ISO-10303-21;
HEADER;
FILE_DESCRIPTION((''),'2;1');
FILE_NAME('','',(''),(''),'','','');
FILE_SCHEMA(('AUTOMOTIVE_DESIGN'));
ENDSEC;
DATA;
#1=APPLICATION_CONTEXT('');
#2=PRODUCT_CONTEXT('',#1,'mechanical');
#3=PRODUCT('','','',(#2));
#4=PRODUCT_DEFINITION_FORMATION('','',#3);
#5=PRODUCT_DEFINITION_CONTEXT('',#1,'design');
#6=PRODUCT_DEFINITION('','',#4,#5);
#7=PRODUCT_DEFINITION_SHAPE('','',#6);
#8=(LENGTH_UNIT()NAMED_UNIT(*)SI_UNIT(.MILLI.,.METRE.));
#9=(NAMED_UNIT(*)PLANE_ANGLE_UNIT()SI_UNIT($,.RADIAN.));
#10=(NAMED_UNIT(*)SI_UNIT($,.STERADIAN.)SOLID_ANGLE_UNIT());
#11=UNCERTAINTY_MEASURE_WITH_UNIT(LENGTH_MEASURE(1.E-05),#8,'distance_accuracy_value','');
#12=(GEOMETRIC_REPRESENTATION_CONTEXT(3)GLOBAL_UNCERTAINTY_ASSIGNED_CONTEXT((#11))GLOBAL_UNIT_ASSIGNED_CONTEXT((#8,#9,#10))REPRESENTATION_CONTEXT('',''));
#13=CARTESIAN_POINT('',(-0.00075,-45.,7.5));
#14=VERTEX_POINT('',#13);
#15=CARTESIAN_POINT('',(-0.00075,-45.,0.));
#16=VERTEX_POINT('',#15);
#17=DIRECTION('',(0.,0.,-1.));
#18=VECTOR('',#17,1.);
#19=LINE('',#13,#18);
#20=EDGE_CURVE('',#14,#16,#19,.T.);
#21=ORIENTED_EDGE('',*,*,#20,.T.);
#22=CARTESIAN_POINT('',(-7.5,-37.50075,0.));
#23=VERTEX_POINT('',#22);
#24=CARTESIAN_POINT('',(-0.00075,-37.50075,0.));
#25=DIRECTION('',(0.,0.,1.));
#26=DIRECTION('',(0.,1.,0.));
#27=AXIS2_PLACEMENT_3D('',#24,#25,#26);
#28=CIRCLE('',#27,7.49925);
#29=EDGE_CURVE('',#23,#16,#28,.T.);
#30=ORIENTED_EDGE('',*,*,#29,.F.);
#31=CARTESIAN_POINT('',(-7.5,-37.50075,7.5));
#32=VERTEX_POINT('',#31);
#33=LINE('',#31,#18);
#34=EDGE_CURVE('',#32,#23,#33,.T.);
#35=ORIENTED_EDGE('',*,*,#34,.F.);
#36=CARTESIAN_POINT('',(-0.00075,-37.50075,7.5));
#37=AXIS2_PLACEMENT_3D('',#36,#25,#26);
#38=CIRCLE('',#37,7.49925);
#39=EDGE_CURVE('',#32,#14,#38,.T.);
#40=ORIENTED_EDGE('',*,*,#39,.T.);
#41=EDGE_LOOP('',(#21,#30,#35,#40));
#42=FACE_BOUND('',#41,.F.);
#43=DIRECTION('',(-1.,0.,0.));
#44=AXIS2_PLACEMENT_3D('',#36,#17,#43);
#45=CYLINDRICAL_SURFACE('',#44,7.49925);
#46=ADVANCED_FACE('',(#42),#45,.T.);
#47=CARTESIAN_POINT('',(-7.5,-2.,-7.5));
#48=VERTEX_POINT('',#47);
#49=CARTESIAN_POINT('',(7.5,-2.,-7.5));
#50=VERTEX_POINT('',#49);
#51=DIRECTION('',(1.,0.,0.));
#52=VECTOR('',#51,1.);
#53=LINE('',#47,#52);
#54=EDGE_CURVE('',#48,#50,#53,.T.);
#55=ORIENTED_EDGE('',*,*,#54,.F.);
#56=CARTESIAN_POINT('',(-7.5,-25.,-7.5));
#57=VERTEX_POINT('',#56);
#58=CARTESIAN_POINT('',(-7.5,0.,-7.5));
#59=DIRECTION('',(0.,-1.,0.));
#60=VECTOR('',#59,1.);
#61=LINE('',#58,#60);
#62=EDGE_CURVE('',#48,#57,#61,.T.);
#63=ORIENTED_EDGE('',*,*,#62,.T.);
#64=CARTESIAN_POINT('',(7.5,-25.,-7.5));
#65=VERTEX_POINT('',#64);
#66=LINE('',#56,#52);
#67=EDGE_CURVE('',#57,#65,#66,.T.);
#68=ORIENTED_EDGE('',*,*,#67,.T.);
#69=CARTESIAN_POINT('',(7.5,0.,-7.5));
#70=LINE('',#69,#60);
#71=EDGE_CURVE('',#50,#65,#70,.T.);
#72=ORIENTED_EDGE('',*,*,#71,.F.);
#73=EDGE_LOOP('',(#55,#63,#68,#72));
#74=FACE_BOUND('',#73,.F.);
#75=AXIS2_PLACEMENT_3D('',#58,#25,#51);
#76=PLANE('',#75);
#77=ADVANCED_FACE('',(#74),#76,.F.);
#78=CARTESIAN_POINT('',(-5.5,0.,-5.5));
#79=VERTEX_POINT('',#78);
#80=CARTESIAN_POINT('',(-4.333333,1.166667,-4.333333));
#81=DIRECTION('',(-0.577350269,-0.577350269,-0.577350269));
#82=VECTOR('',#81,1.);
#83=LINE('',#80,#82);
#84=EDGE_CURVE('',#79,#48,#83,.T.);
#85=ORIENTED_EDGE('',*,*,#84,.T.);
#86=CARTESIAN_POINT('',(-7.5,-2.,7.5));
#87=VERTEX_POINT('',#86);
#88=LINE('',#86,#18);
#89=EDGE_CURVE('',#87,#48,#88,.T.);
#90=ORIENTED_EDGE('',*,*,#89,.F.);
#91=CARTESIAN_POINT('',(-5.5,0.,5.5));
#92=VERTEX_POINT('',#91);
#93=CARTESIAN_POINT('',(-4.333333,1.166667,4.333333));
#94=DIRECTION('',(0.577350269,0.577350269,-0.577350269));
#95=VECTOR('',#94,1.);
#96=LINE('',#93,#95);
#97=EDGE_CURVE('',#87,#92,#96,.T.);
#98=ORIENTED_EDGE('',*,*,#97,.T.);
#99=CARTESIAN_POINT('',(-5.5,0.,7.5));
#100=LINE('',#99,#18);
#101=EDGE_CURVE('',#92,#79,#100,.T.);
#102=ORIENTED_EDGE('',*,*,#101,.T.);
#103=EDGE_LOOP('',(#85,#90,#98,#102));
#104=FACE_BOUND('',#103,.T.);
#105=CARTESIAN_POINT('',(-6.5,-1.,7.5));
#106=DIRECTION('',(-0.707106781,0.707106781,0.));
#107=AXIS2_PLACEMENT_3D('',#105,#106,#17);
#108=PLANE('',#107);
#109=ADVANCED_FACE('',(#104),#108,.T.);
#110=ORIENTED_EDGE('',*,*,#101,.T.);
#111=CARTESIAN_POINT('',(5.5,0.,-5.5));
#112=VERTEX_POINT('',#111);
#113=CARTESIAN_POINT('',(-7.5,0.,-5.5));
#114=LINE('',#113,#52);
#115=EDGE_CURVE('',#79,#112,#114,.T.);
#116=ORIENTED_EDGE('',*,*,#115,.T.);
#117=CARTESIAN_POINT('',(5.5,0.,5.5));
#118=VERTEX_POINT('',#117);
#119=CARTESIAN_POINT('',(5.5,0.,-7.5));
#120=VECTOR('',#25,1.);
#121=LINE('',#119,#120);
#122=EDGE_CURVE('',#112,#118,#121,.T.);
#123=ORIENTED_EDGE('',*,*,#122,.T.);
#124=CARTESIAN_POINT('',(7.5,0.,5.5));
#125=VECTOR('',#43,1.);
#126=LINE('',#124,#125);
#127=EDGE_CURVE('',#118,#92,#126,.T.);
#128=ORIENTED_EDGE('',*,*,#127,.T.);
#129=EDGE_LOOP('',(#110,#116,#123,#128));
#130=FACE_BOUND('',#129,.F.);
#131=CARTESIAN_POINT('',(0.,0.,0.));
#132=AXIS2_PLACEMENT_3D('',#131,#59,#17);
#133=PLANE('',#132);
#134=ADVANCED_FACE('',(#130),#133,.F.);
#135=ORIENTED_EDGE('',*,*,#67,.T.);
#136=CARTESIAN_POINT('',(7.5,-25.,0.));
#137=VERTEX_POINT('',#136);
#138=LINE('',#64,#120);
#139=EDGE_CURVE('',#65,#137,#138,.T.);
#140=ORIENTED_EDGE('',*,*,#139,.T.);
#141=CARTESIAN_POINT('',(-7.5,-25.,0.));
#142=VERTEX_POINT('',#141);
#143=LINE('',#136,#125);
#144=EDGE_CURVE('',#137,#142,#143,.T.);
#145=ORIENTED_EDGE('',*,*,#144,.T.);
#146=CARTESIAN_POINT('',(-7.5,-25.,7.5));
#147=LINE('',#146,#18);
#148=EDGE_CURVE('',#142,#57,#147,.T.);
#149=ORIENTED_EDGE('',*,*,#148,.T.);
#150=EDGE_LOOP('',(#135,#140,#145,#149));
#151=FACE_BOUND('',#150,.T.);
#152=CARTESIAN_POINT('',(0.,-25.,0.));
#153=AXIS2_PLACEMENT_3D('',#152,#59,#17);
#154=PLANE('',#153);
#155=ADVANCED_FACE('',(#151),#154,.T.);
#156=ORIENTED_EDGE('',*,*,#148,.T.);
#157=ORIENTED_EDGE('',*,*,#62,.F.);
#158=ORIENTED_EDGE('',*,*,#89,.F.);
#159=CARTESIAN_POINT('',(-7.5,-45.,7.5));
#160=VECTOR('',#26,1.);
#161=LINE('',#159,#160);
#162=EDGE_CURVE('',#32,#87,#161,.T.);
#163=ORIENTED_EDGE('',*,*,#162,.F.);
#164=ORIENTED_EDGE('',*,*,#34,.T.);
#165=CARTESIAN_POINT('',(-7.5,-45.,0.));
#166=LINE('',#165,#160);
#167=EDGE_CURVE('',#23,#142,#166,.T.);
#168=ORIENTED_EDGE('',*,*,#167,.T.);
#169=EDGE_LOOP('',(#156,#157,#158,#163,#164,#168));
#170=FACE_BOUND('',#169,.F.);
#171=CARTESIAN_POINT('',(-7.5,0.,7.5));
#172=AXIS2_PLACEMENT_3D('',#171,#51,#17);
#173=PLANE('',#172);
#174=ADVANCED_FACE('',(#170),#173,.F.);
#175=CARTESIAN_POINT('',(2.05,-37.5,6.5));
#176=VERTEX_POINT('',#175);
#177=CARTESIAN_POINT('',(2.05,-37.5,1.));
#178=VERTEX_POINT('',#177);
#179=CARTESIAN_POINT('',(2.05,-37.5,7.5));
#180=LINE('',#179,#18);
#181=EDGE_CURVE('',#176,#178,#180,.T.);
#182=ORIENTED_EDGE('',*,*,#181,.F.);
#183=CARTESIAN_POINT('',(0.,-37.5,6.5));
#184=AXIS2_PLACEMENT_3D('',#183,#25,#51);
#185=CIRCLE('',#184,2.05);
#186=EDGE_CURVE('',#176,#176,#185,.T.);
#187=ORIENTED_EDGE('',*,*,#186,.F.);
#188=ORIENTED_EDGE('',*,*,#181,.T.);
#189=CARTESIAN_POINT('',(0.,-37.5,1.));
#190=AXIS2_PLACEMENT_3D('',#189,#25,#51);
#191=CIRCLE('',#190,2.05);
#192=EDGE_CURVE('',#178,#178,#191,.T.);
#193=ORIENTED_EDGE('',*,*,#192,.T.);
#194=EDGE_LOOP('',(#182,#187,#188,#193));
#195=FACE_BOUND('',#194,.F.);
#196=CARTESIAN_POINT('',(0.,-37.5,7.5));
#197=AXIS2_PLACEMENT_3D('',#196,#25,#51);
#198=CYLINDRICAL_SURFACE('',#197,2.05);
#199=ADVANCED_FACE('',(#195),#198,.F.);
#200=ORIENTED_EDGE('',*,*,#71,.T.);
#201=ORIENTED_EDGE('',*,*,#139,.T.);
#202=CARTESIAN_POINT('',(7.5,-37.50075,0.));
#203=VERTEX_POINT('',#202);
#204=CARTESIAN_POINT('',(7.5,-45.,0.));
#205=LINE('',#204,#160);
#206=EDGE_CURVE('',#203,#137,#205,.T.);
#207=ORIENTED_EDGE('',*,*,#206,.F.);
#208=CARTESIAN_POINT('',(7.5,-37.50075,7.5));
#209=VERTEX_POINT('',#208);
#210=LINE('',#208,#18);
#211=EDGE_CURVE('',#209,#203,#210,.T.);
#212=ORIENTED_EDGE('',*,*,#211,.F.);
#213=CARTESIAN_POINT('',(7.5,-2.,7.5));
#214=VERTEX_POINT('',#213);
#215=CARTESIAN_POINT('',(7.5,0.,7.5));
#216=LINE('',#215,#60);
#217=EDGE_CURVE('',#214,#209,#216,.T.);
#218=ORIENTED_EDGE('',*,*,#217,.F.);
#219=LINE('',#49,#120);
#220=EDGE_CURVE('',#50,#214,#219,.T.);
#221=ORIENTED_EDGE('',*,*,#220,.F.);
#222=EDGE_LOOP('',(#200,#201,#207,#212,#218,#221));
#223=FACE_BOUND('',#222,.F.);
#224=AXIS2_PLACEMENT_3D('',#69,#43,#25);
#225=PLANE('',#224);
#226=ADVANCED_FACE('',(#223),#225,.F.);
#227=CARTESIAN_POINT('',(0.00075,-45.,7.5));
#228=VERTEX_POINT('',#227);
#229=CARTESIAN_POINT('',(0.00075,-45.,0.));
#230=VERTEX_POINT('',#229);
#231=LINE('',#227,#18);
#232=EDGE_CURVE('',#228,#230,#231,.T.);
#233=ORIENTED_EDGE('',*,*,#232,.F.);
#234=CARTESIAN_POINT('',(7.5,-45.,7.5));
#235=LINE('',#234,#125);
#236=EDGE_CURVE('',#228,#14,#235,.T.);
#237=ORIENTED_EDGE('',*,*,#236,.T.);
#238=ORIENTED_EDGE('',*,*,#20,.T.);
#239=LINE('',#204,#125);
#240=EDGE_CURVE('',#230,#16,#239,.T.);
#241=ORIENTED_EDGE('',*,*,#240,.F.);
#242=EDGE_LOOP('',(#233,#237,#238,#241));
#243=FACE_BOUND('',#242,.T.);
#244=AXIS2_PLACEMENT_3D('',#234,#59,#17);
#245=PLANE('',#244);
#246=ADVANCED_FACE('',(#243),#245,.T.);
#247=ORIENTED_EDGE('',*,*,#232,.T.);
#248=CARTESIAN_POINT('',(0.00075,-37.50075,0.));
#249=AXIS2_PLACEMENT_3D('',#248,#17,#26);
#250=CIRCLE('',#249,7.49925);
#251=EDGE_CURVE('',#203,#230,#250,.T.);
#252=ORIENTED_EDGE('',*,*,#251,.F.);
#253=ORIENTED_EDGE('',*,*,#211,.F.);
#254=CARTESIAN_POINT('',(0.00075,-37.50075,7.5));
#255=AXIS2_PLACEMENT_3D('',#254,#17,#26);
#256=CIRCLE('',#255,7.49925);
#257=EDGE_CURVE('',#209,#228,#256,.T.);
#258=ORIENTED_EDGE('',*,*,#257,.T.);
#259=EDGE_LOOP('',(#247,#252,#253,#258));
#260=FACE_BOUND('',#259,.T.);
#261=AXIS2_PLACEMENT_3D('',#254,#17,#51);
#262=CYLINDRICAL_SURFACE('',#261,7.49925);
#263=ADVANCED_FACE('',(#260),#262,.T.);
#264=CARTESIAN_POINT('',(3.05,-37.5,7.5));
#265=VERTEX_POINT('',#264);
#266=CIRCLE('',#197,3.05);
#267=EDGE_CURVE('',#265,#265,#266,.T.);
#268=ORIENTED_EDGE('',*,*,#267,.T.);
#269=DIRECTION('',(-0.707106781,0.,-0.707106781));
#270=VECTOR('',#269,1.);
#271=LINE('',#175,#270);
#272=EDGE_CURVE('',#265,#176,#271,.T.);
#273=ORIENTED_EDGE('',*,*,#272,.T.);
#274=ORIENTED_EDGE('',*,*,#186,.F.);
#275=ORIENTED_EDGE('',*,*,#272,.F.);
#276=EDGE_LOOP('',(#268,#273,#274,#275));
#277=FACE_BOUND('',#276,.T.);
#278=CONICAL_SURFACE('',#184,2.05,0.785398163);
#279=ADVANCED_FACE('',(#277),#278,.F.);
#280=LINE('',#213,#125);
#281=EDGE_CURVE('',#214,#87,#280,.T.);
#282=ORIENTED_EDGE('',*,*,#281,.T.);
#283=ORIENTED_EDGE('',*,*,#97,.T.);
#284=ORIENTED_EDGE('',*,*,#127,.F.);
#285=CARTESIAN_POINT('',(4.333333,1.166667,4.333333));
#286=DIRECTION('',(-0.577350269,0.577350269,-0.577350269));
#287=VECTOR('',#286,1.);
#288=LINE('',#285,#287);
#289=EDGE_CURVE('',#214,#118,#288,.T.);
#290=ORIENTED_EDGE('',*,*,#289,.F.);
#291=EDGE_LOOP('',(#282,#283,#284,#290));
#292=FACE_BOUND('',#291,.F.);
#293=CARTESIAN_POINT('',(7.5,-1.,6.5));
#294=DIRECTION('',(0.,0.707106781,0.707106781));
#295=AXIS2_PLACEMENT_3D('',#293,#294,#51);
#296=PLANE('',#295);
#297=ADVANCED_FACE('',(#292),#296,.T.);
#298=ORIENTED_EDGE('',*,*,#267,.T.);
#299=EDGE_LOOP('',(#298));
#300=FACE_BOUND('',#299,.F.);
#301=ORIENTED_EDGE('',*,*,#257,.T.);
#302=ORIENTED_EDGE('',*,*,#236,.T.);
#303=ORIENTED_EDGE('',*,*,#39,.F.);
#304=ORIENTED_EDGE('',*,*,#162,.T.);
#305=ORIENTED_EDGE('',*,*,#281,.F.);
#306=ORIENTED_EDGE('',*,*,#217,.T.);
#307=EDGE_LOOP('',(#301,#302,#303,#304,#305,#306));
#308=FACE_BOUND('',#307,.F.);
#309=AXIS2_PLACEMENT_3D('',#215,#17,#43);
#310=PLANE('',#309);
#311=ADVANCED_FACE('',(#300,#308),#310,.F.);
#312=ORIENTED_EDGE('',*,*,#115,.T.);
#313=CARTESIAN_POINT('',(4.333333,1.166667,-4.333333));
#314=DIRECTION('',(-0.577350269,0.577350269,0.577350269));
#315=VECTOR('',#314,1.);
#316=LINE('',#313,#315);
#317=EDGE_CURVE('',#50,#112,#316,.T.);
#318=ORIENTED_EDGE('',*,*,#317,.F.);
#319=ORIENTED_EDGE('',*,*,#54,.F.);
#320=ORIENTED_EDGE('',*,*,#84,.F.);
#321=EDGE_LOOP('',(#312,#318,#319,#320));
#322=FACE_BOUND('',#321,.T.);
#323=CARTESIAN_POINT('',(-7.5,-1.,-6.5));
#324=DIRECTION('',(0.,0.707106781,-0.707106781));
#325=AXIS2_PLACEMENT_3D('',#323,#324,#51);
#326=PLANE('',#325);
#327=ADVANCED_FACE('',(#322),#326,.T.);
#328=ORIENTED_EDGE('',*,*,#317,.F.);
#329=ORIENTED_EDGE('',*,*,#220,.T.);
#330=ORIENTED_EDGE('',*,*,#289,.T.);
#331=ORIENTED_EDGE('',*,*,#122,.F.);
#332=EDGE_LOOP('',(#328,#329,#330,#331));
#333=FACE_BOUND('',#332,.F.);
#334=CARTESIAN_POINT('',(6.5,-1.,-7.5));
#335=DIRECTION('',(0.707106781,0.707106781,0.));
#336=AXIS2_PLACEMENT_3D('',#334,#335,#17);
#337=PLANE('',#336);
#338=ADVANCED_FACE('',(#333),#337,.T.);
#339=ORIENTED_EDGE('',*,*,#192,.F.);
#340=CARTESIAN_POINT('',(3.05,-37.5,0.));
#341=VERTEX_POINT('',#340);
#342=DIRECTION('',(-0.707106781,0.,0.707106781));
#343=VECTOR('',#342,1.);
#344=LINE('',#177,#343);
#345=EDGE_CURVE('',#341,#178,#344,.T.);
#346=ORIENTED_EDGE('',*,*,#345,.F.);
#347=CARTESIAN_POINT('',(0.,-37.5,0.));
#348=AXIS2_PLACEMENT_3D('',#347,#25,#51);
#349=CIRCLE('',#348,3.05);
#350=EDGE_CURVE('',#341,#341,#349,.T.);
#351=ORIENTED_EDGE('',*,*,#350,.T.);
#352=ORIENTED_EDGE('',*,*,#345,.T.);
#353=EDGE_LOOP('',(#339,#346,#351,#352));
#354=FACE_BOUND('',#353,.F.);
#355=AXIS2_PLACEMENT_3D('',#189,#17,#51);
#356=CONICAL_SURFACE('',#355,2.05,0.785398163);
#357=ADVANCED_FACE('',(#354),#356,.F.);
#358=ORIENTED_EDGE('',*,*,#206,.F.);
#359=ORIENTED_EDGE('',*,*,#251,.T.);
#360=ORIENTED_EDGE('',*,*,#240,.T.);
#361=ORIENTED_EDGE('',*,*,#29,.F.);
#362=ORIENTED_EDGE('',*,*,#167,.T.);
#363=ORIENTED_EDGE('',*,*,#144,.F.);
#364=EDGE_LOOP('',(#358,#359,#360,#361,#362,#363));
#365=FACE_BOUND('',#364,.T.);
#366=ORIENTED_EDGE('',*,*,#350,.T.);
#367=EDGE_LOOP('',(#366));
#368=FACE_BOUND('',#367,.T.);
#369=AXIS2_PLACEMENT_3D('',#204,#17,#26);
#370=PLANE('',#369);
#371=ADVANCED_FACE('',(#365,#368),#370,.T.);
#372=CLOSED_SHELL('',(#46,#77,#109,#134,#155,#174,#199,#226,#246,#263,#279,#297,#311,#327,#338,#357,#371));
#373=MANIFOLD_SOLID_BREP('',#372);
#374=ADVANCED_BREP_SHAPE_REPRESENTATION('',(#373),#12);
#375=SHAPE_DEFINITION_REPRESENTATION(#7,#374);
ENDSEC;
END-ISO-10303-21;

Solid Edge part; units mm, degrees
sketch "Sketch1" plane through (0, 0, 0) normal (0, -1, 0) x (1, 0, 0)
  line L0 (-7.5, -7.5) -> (7.5, -7.5)
  line L1 (7.5, -7.5) -> (7.5, 7.5)
  line L2 (7.5, 7.5) -> (-7.5, 7.5)
  line L3 (-7.5, 7.5) -> (-7.5, -7.5)
  dimension "D1" = 15
  dimension "D2" = 15
extrude "Protrusion1" add sketch "Sketch1" along normal blind 25
sketch "Sketch2" plane through (7.5, -10, 0) normal (1, 0, 0) x (0, 1, 0)
  line L0 (-15, 7.5) -> (-35, 7.5)
  line L1 (-35, 7.5) -> (-35, 0)
  line L2 (-35, 0) -> (-15, 0)
  line L3 (-15, 0) -> (-15, 7.5)
  dimension "D1" = 20
extrude "Protrusion2" add sketch "Sketch2" against normal up to vertex (15 mm away)
fillet "Verrundung_1" radius 7.5 2 edges at (7.5, -45, 3.75) (-7.5, -45, 3.75)
sketch "Sketch3" plane through (0, -17.5, 7.5) normal (0, 0, 1) x (1, 0, 0)
  circle A0 centre (0, -20) radius 2.05
  dimension "D1" = 4.1
extrude "Cutout1" cut sketch "Sketch3" against normal through all
chamfer "Fase_1" distance 1 angle 45 2 edges at (2.05, -37.5, 0) (-2.05, -37.5, 7.5)
chamfer "Fase_2" distance 2 angle 45 4 edges at (0, 0, 7.5) (7.5, 0, 0) (0, 0, -7.5) (-7.5, 0, 0)
